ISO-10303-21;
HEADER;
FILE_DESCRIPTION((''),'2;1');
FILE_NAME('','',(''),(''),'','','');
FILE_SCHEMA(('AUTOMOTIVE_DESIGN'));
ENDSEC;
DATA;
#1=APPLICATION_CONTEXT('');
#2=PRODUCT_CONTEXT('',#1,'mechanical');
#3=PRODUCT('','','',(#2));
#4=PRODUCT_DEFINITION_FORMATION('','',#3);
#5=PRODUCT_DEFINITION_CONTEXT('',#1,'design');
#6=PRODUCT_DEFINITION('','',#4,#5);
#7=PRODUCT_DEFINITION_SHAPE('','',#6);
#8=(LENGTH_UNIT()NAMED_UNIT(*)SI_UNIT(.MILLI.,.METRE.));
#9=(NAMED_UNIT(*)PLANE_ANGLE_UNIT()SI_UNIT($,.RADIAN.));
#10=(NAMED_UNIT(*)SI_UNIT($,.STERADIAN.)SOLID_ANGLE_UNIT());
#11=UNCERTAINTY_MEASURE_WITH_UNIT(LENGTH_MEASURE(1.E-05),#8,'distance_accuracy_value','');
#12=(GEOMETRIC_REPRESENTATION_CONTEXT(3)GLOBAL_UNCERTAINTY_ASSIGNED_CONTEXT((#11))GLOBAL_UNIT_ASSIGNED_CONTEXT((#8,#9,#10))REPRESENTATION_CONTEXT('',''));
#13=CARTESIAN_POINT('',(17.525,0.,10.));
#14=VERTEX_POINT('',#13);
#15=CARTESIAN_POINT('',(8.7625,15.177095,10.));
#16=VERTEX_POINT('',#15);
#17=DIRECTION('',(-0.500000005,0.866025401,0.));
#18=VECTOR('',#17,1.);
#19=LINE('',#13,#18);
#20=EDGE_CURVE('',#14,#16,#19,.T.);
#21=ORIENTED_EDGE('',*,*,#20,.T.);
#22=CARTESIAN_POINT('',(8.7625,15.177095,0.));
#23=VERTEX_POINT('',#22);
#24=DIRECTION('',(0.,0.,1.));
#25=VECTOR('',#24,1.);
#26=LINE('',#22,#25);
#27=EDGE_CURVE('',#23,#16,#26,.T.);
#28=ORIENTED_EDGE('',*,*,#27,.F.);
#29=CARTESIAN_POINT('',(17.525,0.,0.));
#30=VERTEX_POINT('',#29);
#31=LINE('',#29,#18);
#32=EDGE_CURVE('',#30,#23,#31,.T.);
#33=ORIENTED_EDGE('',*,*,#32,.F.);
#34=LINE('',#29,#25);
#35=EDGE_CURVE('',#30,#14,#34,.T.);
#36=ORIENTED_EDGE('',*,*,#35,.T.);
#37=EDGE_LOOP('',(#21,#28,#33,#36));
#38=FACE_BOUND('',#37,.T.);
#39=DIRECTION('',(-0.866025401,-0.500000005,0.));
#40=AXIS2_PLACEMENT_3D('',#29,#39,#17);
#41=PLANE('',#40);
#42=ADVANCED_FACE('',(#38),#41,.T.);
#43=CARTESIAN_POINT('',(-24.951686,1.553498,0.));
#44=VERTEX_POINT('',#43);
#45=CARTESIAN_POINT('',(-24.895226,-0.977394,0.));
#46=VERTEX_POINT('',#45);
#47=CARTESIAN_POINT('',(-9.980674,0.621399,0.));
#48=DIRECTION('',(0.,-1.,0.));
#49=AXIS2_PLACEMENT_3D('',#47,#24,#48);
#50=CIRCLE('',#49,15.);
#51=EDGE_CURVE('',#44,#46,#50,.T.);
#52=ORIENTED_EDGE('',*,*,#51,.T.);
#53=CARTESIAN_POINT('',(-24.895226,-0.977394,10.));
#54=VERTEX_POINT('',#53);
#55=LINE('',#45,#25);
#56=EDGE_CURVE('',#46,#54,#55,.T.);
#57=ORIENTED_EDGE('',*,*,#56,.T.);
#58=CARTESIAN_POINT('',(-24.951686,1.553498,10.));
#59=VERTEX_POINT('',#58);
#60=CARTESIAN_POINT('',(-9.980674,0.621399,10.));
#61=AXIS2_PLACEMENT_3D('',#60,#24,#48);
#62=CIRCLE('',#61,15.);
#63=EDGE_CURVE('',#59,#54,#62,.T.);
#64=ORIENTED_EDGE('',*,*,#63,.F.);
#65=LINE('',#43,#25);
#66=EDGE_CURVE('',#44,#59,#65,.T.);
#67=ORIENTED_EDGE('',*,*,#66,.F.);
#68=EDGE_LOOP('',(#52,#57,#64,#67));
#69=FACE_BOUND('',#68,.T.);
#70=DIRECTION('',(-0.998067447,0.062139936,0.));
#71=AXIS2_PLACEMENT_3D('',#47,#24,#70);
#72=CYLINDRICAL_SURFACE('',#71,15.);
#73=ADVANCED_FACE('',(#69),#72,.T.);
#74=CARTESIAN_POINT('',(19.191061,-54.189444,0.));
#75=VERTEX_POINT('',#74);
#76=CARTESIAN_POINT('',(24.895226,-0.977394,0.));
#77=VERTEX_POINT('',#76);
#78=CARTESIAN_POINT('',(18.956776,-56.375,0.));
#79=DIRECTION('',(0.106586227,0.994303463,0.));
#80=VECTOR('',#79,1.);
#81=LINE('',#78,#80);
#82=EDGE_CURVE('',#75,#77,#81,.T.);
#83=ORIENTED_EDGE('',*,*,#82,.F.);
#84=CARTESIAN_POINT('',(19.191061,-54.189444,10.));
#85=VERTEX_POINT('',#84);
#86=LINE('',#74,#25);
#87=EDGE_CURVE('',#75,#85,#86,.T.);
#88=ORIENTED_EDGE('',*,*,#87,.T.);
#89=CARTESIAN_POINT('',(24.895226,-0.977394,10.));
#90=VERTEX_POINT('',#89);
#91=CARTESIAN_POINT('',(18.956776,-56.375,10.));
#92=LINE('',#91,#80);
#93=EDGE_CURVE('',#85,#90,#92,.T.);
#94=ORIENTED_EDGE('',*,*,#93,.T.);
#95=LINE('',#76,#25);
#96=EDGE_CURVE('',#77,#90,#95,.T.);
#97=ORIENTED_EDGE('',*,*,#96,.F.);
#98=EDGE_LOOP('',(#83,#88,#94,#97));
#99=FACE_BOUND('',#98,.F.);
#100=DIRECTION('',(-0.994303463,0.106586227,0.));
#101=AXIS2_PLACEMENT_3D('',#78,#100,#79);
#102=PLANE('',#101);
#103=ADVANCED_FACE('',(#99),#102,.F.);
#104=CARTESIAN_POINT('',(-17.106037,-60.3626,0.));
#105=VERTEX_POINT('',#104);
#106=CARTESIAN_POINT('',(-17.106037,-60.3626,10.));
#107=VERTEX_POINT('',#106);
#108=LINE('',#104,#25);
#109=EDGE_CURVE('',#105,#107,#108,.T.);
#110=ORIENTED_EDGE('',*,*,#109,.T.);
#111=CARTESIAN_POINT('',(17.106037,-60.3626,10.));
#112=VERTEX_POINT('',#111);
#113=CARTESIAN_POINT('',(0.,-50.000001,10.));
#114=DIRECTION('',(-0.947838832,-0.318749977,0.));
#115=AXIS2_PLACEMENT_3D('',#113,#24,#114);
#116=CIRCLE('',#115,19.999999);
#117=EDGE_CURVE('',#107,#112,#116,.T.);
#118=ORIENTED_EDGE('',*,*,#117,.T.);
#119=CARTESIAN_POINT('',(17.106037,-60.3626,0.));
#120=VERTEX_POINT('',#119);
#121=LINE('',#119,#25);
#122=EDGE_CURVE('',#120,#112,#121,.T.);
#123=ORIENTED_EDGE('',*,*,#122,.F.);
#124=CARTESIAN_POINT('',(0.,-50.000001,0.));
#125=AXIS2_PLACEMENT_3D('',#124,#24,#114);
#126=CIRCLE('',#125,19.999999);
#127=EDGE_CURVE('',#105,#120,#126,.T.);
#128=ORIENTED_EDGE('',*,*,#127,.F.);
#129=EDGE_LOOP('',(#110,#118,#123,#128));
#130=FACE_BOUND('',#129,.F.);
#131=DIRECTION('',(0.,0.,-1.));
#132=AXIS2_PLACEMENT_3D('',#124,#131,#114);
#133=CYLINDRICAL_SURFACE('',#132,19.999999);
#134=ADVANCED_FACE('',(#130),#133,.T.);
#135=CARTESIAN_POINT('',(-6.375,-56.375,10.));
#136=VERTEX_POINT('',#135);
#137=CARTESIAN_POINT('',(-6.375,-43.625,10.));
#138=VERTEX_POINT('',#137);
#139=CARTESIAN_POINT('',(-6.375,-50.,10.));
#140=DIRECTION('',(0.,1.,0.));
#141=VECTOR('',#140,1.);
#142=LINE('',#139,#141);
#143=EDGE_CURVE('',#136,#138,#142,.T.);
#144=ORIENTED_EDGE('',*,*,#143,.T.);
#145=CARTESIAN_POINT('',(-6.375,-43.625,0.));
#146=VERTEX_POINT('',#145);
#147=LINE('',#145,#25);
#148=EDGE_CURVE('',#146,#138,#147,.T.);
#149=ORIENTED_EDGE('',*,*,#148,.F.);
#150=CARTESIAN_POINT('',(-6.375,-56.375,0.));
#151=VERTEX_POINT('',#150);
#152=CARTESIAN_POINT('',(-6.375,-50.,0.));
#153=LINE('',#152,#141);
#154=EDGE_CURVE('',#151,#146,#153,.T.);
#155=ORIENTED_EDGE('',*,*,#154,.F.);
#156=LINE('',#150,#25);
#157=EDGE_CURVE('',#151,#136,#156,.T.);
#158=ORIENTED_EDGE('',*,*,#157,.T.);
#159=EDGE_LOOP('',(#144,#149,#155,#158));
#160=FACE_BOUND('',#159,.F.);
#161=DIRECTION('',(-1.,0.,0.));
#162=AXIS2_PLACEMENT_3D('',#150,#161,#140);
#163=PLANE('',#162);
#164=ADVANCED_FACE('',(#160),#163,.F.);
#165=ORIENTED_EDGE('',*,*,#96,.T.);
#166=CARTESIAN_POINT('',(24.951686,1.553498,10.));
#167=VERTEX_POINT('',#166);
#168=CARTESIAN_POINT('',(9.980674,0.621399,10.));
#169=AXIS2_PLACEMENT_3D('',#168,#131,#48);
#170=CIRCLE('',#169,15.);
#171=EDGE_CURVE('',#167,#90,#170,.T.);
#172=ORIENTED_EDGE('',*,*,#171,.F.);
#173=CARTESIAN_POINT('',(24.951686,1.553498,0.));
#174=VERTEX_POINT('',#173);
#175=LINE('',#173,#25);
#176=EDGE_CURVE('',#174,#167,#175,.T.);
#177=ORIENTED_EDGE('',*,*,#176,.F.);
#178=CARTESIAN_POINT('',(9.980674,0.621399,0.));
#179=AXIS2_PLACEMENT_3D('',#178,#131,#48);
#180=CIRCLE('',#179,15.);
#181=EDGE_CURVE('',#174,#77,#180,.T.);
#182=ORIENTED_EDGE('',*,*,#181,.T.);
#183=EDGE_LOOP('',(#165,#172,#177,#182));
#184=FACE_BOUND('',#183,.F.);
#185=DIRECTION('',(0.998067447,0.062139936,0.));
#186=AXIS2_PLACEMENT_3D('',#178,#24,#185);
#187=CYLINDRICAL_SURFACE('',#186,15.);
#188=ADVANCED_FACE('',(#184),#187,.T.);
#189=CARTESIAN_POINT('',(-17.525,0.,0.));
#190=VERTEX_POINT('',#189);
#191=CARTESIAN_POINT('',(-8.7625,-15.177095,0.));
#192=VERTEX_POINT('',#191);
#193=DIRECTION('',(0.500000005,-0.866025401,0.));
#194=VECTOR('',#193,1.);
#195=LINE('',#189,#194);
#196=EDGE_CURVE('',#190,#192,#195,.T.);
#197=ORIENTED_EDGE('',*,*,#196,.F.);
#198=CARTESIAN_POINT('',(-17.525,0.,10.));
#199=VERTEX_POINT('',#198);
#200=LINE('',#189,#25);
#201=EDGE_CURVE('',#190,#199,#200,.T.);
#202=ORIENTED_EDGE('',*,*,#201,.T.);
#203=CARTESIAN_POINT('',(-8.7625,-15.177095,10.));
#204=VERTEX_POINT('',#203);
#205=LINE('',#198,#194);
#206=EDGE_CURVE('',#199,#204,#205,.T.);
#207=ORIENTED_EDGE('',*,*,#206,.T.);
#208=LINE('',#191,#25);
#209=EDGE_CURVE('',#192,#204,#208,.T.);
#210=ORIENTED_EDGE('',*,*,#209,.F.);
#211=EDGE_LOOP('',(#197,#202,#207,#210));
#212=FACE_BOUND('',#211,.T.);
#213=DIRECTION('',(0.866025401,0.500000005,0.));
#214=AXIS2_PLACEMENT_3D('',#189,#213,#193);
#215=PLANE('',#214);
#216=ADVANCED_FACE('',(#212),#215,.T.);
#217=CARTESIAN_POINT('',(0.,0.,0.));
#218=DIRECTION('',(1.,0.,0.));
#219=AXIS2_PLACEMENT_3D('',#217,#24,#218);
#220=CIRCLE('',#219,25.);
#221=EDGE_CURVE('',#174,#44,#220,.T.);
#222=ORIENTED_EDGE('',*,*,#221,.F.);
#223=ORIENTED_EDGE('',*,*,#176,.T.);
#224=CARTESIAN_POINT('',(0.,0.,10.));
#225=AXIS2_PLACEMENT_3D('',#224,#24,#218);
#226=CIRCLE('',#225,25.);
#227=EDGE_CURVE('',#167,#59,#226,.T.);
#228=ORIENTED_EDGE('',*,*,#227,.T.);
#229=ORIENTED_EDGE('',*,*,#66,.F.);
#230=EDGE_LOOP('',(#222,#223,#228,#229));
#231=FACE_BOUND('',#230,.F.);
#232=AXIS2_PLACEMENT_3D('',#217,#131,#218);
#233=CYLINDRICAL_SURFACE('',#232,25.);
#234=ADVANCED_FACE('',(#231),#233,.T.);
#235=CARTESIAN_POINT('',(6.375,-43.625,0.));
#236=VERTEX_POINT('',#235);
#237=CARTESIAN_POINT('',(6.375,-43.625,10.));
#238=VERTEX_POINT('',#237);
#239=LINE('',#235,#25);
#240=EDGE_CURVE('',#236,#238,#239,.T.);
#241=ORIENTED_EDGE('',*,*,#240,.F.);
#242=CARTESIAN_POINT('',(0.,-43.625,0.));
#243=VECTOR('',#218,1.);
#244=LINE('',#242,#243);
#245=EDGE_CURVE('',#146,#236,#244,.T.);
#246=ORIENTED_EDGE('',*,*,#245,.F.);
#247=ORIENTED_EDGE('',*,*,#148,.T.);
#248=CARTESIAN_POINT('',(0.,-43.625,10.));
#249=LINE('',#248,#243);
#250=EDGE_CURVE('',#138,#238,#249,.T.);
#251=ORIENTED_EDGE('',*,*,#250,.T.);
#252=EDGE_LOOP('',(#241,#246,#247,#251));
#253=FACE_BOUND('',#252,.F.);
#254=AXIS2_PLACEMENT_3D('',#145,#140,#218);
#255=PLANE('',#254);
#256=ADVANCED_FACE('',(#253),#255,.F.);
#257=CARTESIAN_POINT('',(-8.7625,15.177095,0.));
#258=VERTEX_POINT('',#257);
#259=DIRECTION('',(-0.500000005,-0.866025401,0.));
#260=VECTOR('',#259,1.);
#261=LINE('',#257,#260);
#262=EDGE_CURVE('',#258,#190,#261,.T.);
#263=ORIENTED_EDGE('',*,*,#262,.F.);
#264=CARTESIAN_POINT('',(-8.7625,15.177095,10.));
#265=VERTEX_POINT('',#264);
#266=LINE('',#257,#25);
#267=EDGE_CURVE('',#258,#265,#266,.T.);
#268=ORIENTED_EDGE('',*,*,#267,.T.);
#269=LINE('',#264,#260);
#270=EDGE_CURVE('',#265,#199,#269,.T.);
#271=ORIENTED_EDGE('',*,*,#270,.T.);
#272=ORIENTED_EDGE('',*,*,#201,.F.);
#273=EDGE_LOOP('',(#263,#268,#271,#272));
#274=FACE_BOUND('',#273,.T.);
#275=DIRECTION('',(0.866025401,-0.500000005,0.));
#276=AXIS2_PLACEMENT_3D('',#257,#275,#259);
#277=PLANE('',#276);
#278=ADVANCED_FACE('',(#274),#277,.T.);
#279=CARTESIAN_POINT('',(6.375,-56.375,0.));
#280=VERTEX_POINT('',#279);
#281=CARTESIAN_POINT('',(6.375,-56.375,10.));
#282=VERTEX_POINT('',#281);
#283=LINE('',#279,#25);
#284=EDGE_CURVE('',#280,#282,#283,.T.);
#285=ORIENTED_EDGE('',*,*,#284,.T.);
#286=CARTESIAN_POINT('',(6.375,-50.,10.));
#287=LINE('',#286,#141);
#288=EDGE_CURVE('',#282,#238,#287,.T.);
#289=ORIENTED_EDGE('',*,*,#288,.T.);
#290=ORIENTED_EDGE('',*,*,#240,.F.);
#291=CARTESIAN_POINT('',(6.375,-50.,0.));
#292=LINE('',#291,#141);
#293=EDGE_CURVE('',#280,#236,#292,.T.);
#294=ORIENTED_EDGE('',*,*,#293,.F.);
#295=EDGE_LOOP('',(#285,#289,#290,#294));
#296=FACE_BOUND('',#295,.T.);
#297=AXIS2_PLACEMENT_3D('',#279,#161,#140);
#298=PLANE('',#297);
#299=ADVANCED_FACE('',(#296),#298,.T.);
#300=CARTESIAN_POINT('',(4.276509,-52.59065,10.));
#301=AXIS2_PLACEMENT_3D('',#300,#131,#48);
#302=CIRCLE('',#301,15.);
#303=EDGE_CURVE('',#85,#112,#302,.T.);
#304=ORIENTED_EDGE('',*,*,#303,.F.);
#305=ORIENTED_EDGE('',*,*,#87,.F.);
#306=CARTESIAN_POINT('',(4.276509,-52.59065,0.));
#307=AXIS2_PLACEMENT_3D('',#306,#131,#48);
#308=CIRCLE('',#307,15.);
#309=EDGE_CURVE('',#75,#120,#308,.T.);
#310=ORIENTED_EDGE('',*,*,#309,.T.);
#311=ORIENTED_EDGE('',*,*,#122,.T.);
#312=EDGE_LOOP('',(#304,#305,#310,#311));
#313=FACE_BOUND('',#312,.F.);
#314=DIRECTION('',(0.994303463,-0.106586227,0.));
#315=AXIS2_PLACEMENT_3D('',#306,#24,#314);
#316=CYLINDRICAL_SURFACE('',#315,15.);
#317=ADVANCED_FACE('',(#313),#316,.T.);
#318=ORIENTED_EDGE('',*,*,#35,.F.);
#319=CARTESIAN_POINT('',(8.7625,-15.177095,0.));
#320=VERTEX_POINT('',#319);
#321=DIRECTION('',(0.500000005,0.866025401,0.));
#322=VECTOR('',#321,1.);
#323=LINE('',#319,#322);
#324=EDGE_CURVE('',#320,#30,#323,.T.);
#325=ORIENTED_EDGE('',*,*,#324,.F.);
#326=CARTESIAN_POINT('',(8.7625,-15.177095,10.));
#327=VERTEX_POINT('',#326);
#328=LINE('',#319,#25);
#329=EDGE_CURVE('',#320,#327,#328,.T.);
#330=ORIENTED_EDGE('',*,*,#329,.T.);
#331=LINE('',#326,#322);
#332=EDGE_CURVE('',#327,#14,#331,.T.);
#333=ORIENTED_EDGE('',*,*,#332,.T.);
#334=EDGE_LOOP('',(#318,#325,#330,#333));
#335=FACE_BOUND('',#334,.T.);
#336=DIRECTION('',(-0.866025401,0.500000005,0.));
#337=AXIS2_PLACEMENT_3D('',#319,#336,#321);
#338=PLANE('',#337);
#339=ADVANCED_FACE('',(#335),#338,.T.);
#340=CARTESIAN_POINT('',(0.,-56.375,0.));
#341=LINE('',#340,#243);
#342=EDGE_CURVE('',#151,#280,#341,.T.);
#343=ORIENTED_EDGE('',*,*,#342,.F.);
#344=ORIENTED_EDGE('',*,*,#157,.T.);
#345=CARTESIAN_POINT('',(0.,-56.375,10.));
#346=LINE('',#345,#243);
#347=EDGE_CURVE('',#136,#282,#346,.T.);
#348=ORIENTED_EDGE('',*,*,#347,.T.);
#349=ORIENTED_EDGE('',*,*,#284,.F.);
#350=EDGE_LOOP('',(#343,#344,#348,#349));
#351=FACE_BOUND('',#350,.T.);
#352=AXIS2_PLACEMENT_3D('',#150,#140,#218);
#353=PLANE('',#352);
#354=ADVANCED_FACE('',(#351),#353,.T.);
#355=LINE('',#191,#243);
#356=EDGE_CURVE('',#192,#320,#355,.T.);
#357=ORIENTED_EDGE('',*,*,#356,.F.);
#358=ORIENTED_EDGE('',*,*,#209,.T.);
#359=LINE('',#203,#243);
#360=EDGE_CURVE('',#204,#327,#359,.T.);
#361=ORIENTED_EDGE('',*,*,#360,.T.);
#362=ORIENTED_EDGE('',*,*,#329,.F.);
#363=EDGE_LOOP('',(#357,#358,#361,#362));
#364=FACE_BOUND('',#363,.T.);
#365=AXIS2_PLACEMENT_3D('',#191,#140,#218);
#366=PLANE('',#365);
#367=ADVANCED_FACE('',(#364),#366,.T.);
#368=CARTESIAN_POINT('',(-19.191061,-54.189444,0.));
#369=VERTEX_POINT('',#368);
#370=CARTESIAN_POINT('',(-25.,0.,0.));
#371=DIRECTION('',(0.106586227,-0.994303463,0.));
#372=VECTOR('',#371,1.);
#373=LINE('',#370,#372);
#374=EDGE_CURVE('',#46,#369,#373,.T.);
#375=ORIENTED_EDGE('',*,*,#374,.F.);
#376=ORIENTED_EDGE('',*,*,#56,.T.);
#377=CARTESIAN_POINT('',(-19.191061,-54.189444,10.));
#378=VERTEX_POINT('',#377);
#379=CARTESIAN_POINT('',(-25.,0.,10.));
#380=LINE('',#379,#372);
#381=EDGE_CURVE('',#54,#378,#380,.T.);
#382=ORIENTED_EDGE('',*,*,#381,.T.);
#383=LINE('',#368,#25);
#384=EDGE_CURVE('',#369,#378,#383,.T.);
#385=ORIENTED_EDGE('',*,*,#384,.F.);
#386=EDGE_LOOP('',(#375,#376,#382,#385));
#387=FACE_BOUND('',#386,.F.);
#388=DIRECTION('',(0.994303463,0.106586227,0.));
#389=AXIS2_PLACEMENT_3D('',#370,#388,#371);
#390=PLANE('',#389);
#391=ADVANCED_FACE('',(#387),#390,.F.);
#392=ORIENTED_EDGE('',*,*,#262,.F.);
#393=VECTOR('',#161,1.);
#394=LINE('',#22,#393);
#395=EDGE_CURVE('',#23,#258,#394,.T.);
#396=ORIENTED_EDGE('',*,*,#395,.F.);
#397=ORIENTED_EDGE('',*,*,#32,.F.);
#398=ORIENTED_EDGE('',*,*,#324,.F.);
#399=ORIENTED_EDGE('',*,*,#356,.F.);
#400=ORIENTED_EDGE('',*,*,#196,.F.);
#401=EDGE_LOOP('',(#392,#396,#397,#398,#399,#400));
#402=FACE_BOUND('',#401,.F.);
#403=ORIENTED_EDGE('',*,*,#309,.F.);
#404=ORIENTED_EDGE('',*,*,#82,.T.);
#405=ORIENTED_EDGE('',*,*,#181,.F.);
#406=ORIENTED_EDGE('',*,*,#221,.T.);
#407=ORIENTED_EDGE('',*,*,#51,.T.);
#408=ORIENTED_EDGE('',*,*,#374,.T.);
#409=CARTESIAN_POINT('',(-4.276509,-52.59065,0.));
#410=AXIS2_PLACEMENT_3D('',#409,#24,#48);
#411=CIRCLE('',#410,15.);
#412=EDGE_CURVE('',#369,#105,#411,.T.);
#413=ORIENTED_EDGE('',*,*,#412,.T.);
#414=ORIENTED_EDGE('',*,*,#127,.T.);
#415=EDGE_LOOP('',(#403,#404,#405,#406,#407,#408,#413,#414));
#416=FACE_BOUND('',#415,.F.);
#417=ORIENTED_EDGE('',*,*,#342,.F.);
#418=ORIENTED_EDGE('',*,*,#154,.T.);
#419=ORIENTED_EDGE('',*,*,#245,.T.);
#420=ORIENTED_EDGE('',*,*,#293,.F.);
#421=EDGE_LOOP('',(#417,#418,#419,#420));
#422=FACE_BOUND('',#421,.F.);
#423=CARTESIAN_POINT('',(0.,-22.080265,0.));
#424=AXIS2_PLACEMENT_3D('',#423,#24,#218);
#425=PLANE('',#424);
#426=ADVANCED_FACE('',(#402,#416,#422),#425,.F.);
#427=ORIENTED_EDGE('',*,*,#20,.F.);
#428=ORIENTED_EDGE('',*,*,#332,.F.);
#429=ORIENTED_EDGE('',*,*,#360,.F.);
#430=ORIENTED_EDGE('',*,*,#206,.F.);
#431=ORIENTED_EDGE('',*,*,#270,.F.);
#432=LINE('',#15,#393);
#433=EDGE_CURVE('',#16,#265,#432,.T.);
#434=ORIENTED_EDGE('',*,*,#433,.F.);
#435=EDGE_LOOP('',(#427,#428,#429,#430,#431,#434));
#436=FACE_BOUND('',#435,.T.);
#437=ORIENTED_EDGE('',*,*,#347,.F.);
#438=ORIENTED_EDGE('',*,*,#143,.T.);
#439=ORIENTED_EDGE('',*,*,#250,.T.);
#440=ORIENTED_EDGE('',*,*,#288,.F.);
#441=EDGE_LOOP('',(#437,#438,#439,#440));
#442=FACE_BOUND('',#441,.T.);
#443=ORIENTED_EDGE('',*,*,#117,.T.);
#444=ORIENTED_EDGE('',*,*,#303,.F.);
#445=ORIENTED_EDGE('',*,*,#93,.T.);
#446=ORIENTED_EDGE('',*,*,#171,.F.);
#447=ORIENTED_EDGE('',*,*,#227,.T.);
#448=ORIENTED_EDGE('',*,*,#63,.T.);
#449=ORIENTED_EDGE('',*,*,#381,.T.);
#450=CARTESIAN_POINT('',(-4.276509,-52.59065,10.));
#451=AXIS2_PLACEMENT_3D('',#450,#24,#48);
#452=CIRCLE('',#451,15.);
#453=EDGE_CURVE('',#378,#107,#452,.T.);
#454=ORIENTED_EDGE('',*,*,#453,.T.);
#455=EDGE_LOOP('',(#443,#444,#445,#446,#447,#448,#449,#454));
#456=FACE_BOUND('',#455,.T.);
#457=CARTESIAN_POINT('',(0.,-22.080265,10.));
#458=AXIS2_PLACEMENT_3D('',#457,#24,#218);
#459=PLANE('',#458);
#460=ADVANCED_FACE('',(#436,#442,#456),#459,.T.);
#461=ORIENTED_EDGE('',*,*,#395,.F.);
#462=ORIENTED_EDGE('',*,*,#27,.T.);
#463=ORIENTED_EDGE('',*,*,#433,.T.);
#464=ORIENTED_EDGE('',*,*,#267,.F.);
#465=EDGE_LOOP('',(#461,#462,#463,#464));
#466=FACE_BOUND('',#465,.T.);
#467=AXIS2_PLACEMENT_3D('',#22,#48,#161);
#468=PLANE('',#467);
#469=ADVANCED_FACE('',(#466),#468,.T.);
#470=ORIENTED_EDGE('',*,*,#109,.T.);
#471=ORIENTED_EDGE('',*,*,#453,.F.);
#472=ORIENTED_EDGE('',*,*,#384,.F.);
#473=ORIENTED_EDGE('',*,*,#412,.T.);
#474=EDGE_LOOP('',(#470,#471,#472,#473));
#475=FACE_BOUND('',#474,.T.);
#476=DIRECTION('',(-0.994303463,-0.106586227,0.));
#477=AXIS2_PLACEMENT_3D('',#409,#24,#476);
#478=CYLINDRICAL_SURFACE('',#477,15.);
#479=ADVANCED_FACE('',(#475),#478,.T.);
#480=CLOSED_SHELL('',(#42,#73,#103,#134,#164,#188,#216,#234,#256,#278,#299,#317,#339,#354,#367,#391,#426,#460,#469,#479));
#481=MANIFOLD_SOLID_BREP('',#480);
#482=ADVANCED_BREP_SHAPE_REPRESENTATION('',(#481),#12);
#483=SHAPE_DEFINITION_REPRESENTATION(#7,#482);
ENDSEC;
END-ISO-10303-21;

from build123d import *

# Parameters (mm, degrees)
SKETCH_W  = 12.75
SKETCH_H  = 12.75
PAD_DEPTH = 10
FILLET_R  = 15


with BuildPart() as part:
    # Sketch → Pad (new body)
    with BuildSketch(Plane.XY):
        with BuildLine():
            ThreePointArc((25, 0), (0, 25), (-25, 0))
            Line((-25, 0), (-18.956776, -56.375))
            ThreePointArc((-18.956776, -56.375), (0, -70), (18.956776, -56.375))
            Line((18.956776, -56.375), (25, 0))
        make_face()
        Polygon((-17.525, 0), (-8.7625, -15.177095), (8.7625, -15.177095), (17.525, 0), (8.7625, 15.177095), (-8.7625, 15.177095), align=None, mode=Mode.SUBTRACT)
        with Locations((0, -50)):
            Rectangle(SKETCH_W, SKETCH_H, mode=Mode.SUBTRACT)
    extrude(amount=PAD_DEPTH)

    # Fillet
    fillet_edges = [part.edges().sort_by_distance(p)[0] for p in [
        (-25, 0, 5),
        (-18.956776, -56.375, 5),
        (18.956776, -56.375, 5),
        (25, 0, 5),
    ]]
    fillet(fillet_edges, radius=FILLET_R)


solid = part.part
